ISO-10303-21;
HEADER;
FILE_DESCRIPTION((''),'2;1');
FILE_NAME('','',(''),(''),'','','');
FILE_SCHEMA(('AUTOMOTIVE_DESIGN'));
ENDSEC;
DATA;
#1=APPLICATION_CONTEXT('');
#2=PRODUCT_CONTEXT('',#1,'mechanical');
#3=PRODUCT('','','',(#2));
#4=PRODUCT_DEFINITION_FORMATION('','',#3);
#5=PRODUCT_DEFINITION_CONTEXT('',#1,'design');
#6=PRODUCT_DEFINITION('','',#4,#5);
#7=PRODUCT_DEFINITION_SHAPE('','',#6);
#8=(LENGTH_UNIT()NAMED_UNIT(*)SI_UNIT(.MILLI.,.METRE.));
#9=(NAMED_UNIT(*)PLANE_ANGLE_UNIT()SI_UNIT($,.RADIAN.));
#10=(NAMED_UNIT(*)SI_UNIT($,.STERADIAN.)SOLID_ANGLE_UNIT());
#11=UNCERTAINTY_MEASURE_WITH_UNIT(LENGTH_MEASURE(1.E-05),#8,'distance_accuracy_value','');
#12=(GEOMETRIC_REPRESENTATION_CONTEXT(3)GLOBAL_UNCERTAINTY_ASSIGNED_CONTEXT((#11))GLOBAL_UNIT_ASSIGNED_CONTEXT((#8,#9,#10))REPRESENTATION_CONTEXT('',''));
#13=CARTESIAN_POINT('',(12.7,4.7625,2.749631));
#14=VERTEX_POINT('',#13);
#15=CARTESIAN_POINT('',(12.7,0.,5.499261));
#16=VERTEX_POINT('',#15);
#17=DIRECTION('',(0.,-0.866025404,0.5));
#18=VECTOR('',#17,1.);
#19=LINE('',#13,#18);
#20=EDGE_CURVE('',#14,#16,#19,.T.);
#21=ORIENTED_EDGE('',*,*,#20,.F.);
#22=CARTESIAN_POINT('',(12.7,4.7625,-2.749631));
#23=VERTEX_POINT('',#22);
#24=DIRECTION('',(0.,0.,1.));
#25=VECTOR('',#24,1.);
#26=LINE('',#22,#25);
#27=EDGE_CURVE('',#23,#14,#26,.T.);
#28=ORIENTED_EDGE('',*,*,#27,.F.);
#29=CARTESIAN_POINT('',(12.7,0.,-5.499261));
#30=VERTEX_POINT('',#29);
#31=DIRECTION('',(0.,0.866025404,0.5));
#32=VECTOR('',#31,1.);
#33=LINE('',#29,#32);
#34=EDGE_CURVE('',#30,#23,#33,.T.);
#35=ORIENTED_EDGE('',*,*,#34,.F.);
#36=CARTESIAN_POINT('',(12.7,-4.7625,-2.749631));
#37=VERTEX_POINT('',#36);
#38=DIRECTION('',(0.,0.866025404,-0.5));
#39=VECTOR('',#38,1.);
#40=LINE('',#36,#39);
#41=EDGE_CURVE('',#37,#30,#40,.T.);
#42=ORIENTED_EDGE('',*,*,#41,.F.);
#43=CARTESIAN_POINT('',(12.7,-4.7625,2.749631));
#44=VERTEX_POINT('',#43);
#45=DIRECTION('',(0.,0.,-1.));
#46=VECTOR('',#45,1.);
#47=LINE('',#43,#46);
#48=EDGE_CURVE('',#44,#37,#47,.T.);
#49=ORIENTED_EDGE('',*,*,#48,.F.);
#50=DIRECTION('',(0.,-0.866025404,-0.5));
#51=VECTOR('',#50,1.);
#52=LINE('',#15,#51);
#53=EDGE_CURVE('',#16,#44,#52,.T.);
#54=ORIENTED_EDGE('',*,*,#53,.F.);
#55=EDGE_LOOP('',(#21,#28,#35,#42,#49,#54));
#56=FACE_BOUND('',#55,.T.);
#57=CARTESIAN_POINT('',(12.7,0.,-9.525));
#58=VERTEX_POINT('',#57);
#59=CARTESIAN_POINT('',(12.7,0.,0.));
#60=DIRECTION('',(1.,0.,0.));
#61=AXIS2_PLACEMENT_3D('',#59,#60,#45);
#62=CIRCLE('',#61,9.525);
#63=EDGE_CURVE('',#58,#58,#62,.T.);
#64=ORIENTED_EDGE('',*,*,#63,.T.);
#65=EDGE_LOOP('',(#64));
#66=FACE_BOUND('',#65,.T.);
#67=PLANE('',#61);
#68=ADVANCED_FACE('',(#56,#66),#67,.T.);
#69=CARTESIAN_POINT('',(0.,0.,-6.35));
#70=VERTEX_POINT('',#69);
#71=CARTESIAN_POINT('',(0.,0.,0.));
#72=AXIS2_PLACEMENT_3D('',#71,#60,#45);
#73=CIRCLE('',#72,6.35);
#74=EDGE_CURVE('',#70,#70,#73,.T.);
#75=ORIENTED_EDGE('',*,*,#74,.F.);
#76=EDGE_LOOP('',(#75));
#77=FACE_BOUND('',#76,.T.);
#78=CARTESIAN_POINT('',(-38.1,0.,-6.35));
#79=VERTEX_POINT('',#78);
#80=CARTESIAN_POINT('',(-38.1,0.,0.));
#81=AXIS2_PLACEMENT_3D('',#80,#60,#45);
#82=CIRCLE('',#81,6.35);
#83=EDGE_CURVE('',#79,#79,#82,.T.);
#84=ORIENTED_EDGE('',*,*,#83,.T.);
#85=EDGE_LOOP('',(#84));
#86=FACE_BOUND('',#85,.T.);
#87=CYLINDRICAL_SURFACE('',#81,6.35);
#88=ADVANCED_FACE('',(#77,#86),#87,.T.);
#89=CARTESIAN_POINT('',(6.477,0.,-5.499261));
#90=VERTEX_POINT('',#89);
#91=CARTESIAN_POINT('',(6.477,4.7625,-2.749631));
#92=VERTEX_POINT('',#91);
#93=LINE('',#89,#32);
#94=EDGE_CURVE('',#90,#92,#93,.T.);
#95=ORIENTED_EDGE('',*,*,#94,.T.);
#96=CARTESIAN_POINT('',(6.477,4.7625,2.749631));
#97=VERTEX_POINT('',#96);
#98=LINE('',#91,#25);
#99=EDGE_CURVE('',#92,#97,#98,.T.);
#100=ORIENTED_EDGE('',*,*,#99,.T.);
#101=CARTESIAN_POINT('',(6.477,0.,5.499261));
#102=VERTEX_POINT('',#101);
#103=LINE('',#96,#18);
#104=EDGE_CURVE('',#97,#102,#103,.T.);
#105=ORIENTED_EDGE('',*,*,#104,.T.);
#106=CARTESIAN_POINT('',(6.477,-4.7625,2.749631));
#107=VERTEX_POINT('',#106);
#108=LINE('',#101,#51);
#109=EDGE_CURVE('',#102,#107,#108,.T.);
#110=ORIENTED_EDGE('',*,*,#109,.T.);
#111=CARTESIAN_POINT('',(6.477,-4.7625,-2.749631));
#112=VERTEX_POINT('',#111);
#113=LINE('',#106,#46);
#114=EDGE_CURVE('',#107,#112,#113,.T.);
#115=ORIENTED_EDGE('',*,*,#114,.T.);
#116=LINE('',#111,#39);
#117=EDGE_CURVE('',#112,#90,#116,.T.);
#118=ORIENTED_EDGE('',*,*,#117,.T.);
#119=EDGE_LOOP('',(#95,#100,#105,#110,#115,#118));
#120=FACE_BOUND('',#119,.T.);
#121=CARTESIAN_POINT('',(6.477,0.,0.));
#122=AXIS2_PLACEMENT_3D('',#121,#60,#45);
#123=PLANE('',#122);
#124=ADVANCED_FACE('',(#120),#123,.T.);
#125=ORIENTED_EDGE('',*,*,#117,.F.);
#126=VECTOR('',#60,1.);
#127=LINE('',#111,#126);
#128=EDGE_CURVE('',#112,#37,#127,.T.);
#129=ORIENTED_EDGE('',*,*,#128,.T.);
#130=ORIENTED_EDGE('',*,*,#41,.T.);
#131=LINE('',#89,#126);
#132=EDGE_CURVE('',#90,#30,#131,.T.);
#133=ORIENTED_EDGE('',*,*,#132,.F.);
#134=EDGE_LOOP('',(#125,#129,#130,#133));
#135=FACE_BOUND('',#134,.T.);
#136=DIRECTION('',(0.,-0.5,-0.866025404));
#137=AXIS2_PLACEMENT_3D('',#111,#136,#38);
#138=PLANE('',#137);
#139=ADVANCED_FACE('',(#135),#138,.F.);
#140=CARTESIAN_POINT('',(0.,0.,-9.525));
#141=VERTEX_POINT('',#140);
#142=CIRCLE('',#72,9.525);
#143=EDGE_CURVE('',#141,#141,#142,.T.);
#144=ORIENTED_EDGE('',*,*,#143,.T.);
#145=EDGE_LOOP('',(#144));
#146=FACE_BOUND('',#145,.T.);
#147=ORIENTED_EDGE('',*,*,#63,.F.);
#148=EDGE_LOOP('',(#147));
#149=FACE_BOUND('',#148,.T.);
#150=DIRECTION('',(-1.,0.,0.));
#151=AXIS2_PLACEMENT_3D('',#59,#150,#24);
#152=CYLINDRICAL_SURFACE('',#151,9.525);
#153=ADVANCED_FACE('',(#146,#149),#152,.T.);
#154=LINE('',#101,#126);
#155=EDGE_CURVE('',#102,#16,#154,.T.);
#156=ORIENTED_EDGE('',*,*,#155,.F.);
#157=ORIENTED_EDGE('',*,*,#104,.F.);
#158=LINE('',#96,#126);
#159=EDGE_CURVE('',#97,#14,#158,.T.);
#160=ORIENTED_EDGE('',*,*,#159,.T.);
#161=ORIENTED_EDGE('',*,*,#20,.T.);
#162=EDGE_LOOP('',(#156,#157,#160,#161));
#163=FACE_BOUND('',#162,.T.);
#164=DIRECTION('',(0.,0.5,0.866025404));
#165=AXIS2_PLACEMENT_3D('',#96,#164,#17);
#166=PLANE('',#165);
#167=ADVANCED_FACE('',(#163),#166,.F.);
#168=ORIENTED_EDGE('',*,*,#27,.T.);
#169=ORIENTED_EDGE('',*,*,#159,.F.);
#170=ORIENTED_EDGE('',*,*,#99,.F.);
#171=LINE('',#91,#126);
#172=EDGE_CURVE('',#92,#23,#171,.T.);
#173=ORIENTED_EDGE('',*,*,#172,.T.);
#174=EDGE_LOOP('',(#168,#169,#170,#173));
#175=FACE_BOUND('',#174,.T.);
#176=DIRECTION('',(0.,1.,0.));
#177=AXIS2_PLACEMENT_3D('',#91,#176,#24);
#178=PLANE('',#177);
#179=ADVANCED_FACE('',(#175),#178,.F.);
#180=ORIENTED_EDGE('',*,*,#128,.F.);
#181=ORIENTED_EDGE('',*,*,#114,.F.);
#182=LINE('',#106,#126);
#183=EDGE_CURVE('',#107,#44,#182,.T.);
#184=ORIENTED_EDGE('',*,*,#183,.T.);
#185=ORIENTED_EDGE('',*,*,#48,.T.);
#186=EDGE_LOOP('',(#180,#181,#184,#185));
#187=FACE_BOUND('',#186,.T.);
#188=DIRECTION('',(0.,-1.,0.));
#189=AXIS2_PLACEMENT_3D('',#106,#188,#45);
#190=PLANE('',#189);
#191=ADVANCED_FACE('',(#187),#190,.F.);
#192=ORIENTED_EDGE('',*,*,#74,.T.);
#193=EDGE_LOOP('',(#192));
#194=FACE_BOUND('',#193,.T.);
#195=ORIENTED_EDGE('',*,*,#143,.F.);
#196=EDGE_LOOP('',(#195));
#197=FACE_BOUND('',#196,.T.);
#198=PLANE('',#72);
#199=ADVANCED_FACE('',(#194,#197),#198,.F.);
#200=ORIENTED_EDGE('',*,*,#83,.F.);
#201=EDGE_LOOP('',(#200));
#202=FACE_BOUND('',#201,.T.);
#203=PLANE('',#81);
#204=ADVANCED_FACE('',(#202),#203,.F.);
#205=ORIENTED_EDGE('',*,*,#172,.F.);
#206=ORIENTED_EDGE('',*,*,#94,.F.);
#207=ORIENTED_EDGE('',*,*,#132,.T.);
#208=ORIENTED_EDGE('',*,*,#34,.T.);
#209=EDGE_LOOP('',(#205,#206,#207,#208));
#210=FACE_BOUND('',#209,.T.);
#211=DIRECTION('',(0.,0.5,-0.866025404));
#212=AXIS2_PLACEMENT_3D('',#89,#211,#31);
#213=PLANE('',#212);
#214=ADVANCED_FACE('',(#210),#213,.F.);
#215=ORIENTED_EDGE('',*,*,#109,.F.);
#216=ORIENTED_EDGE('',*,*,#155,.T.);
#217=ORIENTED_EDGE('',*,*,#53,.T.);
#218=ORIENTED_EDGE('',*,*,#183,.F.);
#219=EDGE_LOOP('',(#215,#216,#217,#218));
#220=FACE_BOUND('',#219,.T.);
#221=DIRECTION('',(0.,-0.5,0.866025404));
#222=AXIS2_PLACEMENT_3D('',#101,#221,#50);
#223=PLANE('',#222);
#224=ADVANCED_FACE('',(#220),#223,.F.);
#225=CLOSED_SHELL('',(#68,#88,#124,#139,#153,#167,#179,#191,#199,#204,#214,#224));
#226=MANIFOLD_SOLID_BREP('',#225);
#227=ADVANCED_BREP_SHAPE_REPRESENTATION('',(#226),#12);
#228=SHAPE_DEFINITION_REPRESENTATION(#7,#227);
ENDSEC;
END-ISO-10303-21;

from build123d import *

# Parameters (mm, degrees)
SKETCH1_R           = 6.35
BOSS_EXTRUDE1_DEPTH = 38.1
SKETCH2_R           = 9.525
BOSS_EXTRUDE2_DEPTH = 12.7
CUT_EXTRUDE1_DEPTH  = 6.223


with BuildPart() as part:
    # Sketch1 → Boss-Extrude1 (new body)
    with BuildSketch(Plane(origin=(0, 0, 0), x_dir=(0, 0, -1), z_dir=(1, 0, 0))):
        Circle(SKETCH1_R)
    extrude(amount=-BOSS_EXTRUDE1_DEPTH)

    # Sketch2 → Boss-Extrude2 (add)
    with BuildSketch(Plane(origin=(0, 0, 0), x_dir=(0, 0, -1), z_dir=(1, 0, 0))):
        Circle(SKETCH2_R)
    extrude(amount=BOSS_EXTRUDE2_DEPTH)

    # Sketch3 → Cut-Extrude1 (cut)
    with BuildSketch(Plane(origin=(12.7, 0, 0), x_dir=(0, 0, -1), z_dir=(1, 0, 0))):
        Polygon((2.749630657, 4.7625), (-2.749630657, 4.7625), (-5.499261314, 0), (-2.749630657, -4.7625), (2.749630657, -4.7625), (5.499261314, 0), align=None)
    extrude(amount=-CUT_EXTRUDE1_DEPTH, mode=Mode.SUBTRACT)


solid = part.part
